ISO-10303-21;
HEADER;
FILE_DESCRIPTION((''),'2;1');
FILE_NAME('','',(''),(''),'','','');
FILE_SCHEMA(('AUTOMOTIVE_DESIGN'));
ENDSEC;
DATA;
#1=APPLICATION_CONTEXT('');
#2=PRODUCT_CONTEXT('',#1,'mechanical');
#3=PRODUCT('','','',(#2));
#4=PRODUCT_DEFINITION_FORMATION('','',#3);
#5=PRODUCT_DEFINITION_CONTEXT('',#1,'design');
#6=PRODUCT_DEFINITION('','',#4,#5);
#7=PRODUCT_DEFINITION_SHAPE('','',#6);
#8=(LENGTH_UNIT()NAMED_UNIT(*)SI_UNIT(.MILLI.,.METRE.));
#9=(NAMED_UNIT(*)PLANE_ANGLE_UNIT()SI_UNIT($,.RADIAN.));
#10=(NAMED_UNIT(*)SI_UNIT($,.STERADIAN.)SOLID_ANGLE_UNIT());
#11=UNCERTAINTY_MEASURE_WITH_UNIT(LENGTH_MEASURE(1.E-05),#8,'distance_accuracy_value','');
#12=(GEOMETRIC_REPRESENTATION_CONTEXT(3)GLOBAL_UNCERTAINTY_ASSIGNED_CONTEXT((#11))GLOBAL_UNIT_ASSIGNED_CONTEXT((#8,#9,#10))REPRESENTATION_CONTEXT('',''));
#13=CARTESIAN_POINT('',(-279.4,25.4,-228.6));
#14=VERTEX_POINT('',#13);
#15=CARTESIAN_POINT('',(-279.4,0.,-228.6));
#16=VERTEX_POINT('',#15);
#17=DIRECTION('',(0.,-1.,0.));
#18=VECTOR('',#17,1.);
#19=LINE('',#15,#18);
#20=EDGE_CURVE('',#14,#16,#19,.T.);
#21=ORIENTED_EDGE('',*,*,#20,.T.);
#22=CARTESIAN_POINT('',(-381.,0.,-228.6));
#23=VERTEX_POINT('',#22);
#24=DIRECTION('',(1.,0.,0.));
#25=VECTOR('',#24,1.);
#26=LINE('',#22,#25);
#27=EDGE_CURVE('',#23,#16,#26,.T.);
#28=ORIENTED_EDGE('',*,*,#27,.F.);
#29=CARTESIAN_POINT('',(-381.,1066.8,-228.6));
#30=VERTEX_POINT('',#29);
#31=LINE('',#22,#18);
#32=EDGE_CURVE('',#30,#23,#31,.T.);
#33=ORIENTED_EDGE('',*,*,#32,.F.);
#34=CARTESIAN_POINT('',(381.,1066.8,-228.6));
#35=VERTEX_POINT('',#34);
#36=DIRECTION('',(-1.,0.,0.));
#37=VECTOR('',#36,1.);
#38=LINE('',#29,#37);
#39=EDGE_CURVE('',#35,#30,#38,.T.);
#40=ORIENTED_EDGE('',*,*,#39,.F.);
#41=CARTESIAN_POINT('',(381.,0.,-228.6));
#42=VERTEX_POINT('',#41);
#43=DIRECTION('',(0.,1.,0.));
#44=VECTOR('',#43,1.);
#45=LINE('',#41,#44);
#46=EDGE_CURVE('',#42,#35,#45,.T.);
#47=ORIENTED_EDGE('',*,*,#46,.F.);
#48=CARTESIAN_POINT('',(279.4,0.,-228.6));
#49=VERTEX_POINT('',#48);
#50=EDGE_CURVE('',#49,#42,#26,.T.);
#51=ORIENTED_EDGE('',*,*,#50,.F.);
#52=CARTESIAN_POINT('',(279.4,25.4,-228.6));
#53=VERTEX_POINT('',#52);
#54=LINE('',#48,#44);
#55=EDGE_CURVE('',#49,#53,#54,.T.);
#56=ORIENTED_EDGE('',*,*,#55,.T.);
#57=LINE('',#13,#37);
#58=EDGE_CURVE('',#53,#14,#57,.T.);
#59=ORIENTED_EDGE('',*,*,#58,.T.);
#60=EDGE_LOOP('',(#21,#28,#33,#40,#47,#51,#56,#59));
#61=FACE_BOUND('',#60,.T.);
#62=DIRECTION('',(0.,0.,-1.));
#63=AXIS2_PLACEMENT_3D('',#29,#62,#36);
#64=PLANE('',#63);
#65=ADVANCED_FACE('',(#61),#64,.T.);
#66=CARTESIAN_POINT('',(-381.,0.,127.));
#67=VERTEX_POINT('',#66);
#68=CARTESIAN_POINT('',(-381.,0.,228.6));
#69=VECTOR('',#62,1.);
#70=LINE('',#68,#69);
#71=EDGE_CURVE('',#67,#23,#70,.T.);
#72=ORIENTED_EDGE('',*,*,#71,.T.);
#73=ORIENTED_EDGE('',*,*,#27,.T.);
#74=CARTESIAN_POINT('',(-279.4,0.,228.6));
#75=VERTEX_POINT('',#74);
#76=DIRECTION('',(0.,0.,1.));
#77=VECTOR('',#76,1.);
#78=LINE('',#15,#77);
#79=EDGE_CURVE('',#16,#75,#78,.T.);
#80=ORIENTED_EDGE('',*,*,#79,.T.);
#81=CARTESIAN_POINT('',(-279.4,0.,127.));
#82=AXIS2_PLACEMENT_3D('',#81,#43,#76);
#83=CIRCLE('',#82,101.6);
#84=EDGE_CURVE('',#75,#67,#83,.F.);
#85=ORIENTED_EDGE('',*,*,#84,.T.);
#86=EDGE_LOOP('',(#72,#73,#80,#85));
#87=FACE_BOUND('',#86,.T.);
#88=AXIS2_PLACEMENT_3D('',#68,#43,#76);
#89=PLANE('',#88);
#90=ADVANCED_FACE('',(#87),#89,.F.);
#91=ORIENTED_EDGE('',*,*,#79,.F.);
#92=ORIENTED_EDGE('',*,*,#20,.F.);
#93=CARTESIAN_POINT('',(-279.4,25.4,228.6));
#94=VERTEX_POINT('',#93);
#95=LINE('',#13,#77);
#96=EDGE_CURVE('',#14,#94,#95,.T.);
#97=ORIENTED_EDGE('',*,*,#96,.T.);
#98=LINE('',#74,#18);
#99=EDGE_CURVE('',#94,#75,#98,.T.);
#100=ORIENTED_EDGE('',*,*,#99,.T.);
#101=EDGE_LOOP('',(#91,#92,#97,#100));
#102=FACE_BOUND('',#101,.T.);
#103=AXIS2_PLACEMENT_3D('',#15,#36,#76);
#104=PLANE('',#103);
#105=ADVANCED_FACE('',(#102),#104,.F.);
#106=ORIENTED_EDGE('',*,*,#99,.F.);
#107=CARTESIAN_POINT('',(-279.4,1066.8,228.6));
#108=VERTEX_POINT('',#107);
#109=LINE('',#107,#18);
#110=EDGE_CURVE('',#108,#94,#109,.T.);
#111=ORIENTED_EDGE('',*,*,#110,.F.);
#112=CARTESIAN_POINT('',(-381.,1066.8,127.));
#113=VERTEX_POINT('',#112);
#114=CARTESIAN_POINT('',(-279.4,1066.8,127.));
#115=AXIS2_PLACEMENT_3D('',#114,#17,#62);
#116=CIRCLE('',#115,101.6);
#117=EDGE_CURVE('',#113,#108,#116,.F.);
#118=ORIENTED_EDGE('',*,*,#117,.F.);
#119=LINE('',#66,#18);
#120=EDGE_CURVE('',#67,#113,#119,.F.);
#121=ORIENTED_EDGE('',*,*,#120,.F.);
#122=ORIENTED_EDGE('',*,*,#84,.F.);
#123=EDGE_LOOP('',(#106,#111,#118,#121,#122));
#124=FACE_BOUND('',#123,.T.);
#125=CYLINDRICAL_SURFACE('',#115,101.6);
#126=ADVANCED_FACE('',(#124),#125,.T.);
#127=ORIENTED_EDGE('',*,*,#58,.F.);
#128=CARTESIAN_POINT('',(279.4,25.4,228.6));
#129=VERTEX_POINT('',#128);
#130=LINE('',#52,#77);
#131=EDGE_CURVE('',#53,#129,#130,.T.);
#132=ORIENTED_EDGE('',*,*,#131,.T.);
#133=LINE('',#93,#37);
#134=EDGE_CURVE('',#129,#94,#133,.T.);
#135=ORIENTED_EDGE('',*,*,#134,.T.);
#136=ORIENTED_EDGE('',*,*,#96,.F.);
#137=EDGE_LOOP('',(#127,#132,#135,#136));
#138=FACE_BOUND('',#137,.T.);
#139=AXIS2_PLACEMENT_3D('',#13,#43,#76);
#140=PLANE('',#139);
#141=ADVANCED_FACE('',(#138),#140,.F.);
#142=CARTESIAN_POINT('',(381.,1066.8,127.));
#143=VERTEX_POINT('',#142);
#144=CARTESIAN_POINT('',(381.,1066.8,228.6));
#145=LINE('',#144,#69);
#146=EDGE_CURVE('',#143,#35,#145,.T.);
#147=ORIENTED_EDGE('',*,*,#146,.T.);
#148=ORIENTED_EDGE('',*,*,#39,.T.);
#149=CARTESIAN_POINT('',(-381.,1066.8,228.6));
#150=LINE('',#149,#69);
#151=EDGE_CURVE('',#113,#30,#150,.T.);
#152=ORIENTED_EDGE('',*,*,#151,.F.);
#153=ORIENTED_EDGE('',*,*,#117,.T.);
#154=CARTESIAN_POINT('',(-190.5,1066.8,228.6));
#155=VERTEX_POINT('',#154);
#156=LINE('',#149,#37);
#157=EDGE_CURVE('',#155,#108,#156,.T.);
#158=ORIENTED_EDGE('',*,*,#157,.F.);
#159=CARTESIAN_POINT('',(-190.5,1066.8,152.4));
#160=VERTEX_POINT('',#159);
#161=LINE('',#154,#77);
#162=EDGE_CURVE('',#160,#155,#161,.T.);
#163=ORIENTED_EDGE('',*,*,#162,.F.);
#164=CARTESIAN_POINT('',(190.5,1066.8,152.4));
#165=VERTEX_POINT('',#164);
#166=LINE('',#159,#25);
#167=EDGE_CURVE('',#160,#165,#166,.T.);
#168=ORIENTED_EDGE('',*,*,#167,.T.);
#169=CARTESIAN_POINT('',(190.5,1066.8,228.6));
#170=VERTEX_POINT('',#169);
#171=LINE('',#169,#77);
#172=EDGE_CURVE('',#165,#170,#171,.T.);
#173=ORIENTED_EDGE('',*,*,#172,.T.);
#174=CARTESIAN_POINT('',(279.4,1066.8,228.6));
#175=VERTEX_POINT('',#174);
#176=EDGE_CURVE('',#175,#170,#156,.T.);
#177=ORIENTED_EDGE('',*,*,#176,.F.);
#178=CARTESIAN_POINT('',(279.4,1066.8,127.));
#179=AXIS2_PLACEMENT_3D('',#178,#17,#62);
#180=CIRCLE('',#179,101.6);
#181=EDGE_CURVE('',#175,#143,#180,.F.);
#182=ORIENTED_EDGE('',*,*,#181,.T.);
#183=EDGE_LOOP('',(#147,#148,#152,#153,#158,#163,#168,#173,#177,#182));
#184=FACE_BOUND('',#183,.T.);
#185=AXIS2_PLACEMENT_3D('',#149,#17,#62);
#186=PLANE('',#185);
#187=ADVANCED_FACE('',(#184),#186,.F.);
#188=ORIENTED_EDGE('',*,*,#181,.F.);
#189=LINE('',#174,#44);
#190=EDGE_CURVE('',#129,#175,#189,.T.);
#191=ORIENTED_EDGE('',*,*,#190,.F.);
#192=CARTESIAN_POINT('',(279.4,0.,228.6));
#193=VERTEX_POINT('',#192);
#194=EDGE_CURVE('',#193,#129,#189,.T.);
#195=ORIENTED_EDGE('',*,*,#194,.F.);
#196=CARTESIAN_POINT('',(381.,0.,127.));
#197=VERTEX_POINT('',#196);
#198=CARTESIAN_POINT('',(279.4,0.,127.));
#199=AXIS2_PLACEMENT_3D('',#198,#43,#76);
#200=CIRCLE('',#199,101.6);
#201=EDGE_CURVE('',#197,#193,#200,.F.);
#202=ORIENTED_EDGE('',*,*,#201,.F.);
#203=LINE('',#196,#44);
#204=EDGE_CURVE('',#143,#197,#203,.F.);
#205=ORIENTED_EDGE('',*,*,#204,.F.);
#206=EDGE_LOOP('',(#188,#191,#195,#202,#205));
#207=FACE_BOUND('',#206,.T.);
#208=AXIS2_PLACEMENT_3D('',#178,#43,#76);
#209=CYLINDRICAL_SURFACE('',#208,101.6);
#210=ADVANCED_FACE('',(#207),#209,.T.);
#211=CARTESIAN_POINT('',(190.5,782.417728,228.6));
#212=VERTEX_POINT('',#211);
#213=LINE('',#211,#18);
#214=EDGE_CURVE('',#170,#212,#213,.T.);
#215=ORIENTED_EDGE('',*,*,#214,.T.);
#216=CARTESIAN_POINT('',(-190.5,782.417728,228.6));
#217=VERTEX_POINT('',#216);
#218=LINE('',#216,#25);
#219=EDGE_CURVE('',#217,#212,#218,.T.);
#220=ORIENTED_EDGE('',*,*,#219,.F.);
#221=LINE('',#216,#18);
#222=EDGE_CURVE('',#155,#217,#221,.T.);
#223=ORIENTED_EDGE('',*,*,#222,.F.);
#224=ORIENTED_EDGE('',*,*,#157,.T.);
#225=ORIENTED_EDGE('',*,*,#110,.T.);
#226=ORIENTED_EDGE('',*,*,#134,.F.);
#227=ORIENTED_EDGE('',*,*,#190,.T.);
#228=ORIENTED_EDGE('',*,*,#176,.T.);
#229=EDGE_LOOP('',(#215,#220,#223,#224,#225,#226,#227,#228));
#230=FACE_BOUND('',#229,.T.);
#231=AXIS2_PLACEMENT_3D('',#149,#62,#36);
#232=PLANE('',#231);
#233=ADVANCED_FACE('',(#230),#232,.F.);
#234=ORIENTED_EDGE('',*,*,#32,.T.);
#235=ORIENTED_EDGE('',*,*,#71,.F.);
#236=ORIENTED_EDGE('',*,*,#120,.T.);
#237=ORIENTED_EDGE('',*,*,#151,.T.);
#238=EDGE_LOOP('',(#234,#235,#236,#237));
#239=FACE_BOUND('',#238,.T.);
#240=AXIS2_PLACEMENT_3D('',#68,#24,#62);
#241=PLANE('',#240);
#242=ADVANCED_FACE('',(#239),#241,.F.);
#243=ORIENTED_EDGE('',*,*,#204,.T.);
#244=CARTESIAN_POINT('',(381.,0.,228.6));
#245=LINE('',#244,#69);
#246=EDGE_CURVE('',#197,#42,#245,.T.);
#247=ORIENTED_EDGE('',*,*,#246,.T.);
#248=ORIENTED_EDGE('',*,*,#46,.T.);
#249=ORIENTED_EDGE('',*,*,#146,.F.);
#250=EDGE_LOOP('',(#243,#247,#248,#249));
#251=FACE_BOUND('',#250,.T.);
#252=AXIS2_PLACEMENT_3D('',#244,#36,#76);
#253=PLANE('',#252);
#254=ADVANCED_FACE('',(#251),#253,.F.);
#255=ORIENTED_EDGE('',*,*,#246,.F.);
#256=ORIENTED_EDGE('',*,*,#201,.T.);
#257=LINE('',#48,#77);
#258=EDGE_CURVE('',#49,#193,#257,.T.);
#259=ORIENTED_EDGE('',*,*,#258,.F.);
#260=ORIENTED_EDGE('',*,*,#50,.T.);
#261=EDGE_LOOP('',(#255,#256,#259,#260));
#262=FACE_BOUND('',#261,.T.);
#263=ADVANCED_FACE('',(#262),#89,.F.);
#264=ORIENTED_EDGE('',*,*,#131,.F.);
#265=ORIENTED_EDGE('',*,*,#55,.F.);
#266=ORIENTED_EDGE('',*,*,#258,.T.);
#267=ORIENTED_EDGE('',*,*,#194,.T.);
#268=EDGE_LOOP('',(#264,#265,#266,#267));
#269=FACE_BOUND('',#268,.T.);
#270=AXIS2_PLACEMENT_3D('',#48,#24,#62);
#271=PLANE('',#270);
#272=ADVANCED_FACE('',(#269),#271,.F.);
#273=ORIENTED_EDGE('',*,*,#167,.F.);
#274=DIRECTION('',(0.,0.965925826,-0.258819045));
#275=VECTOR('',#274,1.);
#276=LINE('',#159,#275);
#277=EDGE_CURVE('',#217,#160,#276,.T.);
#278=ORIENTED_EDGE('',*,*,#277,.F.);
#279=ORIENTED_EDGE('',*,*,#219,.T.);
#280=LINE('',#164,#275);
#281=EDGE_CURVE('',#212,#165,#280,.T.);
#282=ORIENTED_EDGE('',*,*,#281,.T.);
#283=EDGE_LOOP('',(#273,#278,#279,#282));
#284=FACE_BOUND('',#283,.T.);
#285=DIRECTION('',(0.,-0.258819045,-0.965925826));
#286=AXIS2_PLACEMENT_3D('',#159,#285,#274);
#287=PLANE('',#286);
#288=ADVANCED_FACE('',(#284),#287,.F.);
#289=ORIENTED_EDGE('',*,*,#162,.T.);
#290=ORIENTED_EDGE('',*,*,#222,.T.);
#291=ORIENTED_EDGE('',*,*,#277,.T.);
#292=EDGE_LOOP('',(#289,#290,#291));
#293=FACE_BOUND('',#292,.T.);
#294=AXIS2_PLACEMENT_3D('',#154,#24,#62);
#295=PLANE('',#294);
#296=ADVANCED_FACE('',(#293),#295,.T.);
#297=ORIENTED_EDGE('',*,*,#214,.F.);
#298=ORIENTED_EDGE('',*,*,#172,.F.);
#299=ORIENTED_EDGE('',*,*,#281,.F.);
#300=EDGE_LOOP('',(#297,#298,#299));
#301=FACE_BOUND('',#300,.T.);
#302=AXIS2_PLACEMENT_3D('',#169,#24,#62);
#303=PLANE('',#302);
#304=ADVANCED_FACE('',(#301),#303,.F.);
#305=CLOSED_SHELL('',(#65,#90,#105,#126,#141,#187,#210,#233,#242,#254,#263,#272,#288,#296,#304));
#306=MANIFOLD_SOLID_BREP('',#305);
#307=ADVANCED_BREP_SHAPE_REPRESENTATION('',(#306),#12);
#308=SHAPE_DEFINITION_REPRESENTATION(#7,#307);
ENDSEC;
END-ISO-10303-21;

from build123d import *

# Parameters (mm, degrees)
SKETCH1_W           = 762
SKETCH1_H           = 1066.8
BOSS_EXTRUDE1_DEPTH = 228.6
FILLET1_R           = 101.6
SKETCH2_W           = 558.8
SKETCH2_H           = 25.4
CUT_EXTRUDE1_DEPTH  = 1222.578929091
CUT_EXTRUDE2_DEPTH  = 190.5


with BuildPart() as part:
    # Sketch1 → Boss-Extrude1 (new, symmetric)
    with BuildSketch(Plane.XY):
        with Locations((0, 533.4)):
            Rectangle(SKETCH1_W, SKETCH1_H)
    extrude(amount=BOSS_EXTRUDE1_DEPTH, both=True)

    # Fillet1
    fillet1_edges = [part.edges().sort_by_distance(p)[0] for p in [
        (381, 533.4, 228.6),
        (-381, 533.4, 228.6),
    ]]
    fillet(fillet1_edges, radius=FILLET1_R)

    # Sketch2 → Cut-Extrude1 (cut, through all)
    with BuildSketch(Plane.XY.offset(228.6)):
        with Locations((0, 12.7)):
            Rectangle(SKETCH2_W, SKETCH2_H)
    extrude(amount=-CUT_EXTRUDE1_DEPTH, mode=Mode.SUBTRACT)

    # Sketch3 → Cut-Extrude2 (cut, symmetric)
    with BuildSketch(Plane(origin=(0, 0, 0), x_dir=(0, 0, -1), z_dir=(1, 0, 0))):
        Polygon((-152.4, 1066.8), (-228.6, 782.417728463), (-228.6, 1066.8), align=None)
    extrude(amount=CUT_EXTRUDE2_DEPTH, both=True, mode=Mode.SUBTRACT)


solid = part.part
